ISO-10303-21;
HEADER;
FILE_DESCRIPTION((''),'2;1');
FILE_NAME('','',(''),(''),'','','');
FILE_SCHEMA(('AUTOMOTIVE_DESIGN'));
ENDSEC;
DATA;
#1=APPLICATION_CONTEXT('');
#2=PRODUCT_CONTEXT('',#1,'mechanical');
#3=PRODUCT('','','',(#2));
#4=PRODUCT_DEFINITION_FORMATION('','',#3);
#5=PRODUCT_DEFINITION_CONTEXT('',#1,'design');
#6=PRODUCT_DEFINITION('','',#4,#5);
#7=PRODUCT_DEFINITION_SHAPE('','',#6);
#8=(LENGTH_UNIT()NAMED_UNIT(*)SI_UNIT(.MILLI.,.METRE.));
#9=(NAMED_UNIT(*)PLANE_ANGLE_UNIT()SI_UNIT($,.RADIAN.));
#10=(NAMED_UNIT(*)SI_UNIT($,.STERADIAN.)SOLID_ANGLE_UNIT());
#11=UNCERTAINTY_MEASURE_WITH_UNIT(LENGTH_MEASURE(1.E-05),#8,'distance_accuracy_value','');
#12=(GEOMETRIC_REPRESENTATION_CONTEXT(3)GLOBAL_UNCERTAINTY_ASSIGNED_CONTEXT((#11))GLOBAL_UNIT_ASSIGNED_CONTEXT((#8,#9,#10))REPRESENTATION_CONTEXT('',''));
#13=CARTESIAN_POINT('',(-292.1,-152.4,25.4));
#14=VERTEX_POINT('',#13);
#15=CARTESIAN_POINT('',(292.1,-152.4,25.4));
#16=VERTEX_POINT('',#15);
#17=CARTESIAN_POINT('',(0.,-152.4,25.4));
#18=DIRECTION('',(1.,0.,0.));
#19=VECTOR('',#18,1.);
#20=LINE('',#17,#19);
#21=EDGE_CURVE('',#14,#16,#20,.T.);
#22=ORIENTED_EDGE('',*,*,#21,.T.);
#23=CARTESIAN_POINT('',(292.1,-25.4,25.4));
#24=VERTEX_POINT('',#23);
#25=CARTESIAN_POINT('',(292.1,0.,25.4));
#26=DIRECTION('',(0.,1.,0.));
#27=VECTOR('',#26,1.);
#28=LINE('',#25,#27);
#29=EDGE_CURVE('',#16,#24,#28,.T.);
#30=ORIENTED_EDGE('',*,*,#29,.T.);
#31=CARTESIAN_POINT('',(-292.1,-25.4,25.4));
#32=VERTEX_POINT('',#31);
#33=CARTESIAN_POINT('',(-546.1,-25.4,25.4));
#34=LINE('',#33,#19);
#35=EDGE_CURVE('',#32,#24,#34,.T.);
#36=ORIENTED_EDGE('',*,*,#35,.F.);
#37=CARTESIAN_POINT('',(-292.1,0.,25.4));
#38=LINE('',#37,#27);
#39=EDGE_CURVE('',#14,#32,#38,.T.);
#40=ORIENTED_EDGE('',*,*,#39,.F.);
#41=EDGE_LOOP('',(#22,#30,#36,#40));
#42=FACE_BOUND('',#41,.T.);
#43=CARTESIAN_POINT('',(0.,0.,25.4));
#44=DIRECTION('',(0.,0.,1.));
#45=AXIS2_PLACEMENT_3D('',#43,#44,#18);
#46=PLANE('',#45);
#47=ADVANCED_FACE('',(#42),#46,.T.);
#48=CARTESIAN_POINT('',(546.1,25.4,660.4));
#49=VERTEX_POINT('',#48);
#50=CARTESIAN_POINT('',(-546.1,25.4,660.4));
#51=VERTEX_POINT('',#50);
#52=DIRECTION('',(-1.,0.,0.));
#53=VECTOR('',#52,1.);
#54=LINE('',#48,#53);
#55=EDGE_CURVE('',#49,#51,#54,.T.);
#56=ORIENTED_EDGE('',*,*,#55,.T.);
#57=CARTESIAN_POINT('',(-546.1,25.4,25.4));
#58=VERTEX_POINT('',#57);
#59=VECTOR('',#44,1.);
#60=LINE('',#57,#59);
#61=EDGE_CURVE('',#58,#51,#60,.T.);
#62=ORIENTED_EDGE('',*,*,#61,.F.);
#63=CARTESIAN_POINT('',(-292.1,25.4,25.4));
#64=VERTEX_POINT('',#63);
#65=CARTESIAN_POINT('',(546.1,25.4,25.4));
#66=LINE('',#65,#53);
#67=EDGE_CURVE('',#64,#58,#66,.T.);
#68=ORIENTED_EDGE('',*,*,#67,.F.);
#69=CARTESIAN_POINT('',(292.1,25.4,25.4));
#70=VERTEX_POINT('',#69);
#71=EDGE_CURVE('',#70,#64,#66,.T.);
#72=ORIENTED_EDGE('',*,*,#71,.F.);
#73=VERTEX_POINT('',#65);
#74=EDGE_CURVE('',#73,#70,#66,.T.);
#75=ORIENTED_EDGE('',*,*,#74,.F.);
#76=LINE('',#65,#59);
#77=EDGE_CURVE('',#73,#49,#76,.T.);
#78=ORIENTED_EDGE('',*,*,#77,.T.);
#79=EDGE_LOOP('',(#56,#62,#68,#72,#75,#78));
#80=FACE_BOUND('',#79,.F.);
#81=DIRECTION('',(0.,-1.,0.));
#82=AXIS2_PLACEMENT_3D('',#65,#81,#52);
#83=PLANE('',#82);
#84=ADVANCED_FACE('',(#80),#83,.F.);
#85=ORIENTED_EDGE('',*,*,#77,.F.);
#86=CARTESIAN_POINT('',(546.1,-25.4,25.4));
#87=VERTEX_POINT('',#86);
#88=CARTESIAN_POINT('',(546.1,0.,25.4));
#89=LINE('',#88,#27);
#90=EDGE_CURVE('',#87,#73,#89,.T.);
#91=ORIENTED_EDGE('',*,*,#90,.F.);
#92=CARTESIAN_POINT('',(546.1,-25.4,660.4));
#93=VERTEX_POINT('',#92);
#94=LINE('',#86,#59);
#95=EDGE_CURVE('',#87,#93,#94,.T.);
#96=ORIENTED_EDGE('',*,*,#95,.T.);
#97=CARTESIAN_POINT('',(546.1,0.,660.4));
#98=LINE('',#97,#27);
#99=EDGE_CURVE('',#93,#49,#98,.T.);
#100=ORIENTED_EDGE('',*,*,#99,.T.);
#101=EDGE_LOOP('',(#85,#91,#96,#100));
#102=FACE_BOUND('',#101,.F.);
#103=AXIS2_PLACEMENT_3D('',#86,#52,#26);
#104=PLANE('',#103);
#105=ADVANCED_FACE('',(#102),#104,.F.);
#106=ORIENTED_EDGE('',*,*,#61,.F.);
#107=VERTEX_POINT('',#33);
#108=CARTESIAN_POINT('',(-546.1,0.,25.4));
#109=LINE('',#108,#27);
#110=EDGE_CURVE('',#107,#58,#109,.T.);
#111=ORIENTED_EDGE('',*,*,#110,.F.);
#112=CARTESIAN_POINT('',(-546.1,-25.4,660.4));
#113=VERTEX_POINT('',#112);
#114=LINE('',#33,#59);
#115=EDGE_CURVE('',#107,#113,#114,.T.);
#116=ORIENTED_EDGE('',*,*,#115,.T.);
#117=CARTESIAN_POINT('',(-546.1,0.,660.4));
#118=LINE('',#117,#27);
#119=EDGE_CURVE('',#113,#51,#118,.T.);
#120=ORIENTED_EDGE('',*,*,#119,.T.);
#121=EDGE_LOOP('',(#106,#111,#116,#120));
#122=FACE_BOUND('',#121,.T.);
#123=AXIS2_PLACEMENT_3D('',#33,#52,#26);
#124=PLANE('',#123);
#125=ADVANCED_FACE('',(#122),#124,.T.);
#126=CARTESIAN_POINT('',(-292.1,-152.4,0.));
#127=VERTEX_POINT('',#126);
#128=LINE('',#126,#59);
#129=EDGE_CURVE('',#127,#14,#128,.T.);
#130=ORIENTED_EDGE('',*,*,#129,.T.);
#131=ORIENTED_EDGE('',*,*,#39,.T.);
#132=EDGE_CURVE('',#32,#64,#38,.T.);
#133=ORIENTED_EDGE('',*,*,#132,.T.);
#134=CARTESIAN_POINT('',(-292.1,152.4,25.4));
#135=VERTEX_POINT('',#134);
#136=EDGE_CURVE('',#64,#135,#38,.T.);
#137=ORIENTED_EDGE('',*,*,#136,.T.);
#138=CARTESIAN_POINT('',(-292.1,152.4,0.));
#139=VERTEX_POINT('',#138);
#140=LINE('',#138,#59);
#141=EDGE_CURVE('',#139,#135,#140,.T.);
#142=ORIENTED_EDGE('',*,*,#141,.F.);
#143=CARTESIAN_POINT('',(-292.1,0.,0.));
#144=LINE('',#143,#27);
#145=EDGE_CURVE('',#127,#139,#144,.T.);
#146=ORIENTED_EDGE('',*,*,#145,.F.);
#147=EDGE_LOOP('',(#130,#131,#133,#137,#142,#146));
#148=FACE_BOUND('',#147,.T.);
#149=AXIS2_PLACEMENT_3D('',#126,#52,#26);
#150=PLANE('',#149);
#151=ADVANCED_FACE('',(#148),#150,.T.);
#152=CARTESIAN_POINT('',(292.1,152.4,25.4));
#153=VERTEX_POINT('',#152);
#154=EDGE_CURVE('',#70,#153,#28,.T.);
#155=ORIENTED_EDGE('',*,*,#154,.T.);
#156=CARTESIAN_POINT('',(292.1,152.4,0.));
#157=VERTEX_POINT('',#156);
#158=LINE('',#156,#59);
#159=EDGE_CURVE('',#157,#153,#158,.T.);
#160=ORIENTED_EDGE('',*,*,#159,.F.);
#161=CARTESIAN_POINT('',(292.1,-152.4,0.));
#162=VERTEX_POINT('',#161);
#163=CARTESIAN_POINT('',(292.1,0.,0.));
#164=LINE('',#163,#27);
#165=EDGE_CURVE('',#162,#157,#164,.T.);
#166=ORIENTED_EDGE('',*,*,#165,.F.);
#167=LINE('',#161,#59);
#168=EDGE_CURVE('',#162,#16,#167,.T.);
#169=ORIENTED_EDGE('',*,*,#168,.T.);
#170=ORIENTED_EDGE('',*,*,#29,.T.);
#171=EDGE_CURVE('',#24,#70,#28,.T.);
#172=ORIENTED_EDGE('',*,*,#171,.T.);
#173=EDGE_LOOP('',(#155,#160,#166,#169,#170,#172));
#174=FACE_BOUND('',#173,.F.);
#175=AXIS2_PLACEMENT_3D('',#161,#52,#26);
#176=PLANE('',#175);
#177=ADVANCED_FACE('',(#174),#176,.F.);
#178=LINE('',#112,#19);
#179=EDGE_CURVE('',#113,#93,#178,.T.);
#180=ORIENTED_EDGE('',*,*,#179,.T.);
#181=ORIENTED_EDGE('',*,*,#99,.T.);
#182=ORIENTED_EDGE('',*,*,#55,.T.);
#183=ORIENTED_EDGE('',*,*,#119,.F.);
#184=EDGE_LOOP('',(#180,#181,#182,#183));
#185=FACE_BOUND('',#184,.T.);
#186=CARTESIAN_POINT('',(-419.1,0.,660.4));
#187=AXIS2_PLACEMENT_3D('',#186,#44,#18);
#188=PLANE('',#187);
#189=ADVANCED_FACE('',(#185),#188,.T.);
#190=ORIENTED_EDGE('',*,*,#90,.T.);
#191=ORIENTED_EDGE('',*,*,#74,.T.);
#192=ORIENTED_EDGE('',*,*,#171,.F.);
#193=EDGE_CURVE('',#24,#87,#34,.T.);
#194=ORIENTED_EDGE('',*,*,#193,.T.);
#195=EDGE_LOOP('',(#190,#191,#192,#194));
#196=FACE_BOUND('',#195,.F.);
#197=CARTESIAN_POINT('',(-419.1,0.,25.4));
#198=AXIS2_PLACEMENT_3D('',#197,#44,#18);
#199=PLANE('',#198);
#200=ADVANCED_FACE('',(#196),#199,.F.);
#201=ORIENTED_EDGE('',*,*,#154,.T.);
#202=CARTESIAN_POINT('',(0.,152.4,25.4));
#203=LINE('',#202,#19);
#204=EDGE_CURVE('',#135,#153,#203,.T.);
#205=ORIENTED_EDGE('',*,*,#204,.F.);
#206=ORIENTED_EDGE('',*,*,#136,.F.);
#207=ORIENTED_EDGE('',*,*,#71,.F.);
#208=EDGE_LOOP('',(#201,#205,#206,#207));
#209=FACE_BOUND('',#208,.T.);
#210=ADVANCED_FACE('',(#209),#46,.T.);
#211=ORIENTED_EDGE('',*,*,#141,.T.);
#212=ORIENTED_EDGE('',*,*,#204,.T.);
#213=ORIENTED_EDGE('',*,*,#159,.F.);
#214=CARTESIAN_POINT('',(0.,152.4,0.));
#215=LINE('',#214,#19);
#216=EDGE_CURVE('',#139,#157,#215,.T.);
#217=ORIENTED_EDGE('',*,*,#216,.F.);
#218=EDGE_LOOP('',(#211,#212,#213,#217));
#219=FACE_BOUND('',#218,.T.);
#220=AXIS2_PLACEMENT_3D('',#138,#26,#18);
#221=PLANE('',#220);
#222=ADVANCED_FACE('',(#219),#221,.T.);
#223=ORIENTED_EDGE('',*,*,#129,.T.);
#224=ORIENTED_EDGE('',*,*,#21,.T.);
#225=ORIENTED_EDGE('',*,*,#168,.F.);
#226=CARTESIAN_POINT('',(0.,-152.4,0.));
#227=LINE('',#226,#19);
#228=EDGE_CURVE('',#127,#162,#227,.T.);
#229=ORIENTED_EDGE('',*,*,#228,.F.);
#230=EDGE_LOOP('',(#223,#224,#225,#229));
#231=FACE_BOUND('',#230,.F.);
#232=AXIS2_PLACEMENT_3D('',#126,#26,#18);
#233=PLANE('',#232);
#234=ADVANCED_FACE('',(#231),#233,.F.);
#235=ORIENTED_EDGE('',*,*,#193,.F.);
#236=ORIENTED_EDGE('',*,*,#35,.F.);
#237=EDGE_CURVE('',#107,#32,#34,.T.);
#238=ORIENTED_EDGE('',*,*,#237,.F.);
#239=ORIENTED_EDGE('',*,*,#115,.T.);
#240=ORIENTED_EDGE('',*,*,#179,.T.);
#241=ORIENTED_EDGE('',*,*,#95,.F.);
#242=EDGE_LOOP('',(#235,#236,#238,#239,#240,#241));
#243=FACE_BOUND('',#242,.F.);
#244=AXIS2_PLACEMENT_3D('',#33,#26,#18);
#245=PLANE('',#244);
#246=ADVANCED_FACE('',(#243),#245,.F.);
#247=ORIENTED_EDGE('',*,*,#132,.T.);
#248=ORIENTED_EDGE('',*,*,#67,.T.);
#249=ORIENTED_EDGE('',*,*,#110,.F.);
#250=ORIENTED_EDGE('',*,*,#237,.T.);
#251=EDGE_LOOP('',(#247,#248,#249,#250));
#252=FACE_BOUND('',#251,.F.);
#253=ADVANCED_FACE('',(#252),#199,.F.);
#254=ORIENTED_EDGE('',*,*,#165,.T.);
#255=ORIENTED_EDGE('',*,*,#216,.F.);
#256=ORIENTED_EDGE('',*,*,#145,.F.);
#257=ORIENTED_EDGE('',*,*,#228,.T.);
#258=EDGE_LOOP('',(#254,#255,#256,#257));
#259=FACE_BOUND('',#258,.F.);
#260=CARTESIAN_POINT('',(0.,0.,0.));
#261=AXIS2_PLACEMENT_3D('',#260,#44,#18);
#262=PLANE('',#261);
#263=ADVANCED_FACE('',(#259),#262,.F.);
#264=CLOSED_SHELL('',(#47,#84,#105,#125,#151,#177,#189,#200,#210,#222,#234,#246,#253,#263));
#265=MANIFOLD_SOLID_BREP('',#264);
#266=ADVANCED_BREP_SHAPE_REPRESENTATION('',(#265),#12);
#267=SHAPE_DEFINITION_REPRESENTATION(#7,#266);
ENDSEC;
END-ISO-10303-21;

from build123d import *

# Parameters (mm, degrees)
F0_W     = 584.2
F0_H     = 304.8
F1_DEPTH = 25.4
F2_W     = 254
F2_H     = 50.8
F2_W_2   = 584.2
F3_DEPTH = 635


with BuildPart() as f1:
    # F0 (on Top) → F1 (new body)
    with BuildSketch(Plane.XY):
        Rectangle(F0_W, F0_H)
    extrude(amount=F1_DEPTH)

    # F2 (on face) → F3 (join)
    with BuildSketch(Plane.XY.offset(25.4)):
        with Locations((-419.1, 0)):
            Rectangle(F2_W, F2_H)
        Rectangle(F2_W_2, F2_H)
        with Locations((419.1, 0)):
            Rectangle(F2_W, F2_H)
    extrude(amount=F3_DEPTH)


solid = f1.part
